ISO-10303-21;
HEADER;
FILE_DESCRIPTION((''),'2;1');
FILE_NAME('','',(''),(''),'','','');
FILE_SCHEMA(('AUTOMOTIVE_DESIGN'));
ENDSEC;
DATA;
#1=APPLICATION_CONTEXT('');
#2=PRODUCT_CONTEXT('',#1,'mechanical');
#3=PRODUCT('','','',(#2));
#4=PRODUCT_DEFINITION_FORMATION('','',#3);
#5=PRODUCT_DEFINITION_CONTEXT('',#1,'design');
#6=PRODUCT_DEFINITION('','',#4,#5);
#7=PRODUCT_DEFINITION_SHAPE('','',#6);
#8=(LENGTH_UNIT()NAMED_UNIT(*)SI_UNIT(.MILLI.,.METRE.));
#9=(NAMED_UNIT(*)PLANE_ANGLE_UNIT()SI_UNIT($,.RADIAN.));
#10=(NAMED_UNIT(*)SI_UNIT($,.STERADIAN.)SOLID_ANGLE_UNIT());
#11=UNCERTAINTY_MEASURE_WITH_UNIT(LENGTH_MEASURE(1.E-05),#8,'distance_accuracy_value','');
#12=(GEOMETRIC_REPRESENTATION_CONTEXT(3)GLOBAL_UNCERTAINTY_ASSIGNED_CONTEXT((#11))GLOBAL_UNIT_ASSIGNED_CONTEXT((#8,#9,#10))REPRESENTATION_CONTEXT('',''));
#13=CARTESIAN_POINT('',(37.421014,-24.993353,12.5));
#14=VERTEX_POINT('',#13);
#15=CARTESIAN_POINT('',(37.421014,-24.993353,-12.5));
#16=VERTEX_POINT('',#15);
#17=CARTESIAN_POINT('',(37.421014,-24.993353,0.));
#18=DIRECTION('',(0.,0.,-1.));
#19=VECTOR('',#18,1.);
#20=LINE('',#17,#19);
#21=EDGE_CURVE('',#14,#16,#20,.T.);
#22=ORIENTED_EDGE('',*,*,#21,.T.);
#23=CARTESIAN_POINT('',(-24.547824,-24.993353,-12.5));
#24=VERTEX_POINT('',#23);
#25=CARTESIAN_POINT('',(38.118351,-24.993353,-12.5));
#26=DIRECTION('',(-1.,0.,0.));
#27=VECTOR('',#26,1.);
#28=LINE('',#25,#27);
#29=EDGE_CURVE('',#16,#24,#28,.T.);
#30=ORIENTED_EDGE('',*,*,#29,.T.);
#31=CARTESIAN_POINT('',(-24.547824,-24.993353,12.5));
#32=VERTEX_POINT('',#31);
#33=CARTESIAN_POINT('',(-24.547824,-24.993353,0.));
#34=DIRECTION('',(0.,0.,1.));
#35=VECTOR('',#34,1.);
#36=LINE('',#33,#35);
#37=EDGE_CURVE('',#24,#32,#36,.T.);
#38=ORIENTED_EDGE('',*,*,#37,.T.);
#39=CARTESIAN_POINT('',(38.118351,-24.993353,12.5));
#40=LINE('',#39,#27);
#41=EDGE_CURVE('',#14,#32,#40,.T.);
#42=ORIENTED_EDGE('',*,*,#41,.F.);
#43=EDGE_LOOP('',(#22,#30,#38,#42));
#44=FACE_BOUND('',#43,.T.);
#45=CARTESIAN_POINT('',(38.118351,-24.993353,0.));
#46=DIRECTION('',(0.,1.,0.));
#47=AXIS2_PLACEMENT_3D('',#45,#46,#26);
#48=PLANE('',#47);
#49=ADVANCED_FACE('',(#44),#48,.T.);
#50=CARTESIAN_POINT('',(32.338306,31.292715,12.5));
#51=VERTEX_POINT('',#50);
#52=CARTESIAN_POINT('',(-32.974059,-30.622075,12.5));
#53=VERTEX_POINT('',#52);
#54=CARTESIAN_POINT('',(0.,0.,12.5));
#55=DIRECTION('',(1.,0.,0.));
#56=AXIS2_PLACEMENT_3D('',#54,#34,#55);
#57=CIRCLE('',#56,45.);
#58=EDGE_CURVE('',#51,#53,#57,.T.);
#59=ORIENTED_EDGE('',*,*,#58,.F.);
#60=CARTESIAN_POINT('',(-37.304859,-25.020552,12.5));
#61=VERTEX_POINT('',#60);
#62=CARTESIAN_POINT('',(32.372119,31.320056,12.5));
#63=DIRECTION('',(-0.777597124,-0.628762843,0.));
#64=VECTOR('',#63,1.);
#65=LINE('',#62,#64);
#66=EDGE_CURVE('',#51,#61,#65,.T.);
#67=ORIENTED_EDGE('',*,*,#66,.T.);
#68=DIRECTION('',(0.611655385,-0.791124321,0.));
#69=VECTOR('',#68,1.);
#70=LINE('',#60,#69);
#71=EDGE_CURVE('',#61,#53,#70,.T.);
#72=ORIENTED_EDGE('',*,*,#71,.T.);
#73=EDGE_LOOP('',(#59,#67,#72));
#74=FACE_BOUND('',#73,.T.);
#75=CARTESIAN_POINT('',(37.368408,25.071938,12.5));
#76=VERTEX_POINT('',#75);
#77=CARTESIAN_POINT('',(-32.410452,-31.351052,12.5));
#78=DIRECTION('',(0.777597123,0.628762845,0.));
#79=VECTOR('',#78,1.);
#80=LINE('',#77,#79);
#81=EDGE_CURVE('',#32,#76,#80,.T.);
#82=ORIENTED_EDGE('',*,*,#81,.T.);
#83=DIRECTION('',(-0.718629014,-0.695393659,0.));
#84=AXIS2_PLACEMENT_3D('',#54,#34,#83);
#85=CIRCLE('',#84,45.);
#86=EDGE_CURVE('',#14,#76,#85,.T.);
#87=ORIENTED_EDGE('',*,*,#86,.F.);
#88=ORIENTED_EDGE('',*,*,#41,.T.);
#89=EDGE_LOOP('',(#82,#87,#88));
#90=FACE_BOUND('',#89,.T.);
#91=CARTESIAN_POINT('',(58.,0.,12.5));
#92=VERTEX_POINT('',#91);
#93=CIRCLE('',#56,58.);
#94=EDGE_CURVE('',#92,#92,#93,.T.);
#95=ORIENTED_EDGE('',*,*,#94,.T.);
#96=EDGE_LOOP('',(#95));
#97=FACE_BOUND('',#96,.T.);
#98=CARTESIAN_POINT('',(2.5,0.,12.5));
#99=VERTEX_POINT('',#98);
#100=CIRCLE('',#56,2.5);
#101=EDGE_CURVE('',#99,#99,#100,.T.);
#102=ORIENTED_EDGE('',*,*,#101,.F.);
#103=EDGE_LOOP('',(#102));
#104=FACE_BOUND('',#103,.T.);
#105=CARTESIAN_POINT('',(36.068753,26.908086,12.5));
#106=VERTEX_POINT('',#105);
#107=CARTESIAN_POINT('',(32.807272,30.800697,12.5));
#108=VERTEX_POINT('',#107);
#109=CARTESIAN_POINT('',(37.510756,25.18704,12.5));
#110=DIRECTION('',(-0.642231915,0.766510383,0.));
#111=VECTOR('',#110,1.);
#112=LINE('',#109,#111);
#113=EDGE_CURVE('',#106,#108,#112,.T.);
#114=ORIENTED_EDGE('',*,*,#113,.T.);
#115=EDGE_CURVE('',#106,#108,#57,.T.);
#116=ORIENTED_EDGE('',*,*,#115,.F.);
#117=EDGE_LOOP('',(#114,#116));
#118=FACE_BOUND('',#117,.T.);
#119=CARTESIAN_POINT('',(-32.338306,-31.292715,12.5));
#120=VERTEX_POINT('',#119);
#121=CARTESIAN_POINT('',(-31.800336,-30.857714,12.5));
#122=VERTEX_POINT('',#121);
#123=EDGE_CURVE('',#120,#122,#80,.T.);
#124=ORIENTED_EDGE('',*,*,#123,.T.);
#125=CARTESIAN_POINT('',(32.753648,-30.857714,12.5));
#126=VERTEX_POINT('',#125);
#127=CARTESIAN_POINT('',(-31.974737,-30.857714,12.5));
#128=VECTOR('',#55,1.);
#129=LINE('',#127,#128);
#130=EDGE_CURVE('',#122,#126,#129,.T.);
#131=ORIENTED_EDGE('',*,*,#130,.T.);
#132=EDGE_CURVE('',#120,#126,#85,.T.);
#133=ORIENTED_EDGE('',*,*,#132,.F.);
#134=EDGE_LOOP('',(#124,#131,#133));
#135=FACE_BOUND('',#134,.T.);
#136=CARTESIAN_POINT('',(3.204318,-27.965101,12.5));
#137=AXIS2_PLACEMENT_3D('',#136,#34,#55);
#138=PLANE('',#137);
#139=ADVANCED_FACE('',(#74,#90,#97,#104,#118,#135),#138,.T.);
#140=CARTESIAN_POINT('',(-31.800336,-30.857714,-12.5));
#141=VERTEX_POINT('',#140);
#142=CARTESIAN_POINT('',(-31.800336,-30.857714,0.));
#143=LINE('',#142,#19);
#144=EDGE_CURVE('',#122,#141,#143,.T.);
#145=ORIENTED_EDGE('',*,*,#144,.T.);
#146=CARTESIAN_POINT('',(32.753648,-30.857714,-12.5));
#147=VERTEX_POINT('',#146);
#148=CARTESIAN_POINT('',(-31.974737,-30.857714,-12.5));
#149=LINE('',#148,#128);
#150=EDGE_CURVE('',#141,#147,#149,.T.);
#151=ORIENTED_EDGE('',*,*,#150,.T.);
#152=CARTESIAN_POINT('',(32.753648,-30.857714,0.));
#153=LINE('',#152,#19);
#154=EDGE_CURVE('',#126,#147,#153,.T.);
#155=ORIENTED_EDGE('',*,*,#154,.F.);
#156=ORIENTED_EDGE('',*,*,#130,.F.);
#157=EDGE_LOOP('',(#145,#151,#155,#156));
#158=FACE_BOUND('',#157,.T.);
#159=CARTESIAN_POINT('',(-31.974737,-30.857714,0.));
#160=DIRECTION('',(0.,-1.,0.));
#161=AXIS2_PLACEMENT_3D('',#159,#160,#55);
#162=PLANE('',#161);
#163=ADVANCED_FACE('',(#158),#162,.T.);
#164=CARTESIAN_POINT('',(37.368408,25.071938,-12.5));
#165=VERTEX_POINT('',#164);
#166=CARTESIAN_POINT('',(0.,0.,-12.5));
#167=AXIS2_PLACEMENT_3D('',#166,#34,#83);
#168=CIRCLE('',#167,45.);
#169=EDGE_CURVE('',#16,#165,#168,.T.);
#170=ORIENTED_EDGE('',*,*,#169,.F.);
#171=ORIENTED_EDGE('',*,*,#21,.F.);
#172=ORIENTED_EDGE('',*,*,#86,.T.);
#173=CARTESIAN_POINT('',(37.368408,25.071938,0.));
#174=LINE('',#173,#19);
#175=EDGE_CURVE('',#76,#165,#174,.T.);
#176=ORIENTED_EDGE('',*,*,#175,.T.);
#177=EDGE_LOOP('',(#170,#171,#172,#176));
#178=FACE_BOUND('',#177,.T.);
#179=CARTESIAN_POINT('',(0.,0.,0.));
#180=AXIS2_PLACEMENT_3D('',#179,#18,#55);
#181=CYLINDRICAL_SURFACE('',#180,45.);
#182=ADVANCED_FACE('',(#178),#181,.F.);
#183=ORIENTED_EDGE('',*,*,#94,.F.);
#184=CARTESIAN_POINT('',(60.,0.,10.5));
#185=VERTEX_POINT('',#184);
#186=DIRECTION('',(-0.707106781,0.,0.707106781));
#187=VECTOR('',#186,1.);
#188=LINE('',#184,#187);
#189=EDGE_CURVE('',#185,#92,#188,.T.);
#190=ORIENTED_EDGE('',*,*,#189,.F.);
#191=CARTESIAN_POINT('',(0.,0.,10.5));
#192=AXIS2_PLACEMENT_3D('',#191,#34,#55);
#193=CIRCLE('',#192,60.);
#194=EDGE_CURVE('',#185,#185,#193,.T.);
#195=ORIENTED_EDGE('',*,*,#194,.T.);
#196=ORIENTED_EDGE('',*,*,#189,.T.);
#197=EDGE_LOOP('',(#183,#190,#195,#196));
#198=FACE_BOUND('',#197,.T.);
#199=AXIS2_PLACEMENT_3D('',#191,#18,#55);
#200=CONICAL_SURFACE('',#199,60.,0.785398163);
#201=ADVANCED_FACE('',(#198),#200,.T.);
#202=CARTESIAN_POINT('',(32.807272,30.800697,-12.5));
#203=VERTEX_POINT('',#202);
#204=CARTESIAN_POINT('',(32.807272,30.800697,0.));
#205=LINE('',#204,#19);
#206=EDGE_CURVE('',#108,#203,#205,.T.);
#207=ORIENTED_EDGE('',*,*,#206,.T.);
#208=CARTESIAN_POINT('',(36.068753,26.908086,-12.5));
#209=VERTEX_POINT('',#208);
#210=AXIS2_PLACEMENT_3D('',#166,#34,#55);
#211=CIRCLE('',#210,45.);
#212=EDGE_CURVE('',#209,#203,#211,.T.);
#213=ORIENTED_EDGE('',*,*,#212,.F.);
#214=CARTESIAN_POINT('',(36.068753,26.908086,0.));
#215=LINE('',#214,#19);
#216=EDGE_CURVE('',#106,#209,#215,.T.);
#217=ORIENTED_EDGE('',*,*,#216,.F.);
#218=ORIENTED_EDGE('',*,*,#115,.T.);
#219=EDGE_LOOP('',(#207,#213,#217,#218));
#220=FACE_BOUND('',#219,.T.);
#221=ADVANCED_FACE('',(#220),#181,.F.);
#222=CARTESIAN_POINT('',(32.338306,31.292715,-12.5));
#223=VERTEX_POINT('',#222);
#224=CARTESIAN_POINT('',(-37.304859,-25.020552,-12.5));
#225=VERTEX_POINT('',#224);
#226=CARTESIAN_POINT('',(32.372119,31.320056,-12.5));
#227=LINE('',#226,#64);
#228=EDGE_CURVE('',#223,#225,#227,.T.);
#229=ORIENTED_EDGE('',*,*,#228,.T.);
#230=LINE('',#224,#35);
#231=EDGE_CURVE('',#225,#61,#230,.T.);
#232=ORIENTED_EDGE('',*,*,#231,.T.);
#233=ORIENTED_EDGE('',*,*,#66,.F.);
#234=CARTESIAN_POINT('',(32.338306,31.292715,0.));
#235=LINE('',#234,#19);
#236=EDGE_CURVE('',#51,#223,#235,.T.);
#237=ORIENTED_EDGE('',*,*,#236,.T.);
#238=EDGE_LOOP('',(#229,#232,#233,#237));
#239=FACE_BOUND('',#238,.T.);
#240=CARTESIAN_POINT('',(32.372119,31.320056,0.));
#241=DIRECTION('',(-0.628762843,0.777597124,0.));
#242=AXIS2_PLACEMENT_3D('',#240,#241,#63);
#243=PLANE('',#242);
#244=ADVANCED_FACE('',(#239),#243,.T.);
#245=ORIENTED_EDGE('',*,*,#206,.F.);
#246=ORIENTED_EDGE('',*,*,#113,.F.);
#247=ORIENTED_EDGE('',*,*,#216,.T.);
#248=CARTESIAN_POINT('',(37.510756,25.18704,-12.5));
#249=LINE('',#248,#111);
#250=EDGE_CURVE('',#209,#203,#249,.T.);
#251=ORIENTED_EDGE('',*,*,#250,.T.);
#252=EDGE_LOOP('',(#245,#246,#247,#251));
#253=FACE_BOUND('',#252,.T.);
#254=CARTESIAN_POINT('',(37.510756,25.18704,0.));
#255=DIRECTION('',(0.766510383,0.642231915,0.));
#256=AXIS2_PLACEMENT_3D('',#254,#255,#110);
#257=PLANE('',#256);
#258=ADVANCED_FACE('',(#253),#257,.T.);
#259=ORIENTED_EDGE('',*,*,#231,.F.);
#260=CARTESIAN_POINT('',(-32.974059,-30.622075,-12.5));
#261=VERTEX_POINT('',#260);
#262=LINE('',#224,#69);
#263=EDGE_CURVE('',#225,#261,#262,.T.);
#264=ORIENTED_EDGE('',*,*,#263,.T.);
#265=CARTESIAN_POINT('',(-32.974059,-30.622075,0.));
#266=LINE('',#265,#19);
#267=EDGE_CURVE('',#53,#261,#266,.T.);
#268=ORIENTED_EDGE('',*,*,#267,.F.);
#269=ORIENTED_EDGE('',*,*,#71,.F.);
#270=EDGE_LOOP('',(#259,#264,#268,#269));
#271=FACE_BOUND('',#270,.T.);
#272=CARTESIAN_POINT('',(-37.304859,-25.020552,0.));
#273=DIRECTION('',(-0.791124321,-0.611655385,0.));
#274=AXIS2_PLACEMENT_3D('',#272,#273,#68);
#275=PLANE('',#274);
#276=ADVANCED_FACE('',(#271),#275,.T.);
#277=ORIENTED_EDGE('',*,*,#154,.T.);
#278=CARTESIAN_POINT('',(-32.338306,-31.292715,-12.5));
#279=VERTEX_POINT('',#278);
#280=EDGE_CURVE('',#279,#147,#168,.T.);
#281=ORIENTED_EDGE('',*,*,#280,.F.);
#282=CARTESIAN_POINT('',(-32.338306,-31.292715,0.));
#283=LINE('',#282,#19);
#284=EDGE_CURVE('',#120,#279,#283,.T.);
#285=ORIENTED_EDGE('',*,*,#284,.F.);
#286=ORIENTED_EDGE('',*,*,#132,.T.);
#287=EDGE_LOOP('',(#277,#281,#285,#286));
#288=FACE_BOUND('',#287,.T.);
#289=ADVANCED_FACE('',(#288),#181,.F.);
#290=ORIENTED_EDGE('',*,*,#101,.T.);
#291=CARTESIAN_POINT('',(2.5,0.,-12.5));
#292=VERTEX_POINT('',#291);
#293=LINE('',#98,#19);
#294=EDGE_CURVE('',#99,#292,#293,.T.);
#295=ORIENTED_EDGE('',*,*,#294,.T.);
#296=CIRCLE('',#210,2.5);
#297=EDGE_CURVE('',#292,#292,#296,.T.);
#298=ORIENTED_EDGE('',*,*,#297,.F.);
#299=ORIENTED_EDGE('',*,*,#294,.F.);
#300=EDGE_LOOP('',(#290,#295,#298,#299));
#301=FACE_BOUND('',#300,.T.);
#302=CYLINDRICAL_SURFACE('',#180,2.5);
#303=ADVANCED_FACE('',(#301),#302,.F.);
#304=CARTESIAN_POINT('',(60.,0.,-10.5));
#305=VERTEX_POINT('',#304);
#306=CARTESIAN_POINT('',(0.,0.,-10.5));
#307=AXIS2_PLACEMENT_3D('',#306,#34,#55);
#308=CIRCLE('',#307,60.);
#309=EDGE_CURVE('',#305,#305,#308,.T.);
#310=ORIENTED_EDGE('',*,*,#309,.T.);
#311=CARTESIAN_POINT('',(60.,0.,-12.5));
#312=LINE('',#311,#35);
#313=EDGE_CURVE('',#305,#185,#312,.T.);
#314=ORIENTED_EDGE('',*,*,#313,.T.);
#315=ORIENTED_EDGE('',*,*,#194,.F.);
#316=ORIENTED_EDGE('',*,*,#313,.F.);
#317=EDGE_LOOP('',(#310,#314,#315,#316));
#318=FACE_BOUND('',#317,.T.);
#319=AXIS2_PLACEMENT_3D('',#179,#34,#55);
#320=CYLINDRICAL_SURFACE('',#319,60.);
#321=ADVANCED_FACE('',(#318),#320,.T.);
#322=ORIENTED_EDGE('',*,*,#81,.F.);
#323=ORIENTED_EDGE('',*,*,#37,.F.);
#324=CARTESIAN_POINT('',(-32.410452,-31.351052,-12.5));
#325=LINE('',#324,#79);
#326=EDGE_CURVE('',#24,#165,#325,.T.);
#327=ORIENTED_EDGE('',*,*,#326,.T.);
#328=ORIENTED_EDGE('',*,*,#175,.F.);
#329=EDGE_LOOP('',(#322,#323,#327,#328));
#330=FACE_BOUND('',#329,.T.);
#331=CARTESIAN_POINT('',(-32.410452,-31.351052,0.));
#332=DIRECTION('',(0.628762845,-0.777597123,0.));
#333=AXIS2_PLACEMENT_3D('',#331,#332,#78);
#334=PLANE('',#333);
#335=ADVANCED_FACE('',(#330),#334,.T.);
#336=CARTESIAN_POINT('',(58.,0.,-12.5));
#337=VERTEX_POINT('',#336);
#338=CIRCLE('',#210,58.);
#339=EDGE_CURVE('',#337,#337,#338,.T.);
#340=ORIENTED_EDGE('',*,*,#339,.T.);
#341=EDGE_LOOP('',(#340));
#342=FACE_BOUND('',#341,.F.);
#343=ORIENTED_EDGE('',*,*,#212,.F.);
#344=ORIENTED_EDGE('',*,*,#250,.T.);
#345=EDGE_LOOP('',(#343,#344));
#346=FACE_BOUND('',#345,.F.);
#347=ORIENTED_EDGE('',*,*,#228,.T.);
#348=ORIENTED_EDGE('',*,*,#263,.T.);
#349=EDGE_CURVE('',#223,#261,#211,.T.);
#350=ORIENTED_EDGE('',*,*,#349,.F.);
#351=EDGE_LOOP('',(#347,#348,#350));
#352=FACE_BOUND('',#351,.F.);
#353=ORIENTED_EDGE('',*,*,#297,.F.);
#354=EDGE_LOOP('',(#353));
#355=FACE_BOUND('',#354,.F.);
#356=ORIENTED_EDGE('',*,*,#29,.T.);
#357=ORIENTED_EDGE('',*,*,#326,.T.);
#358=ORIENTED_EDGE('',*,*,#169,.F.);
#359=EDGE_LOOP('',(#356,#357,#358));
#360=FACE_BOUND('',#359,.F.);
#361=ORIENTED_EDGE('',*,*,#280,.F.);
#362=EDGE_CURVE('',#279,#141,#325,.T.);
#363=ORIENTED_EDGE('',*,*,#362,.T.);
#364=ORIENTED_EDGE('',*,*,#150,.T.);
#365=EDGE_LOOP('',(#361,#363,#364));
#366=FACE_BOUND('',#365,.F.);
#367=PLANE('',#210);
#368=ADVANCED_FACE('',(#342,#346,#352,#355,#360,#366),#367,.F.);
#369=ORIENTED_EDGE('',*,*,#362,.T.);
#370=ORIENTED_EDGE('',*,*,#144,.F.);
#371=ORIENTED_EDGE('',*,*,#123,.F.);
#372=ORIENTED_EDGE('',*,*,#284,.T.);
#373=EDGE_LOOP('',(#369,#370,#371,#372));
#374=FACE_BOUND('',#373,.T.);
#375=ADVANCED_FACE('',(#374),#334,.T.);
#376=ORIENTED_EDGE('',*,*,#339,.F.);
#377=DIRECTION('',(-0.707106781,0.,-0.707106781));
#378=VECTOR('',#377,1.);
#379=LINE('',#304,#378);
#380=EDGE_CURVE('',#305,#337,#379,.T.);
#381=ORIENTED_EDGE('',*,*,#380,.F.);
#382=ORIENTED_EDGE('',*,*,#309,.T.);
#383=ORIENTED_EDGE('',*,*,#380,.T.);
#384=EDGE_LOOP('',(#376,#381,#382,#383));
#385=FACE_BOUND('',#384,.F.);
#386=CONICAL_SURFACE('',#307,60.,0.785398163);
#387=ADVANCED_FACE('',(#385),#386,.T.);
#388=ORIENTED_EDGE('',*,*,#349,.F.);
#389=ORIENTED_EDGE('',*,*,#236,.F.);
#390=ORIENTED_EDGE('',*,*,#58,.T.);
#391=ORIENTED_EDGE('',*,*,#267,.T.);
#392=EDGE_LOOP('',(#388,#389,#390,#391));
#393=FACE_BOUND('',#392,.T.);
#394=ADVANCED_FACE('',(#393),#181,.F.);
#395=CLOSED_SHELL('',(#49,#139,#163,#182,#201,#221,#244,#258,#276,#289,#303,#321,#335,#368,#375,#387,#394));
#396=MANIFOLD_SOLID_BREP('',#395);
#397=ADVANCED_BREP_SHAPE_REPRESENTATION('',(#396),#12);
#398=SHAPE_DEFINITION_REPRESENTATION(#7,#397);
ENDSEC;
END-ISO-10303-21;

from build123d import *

# Parameters (mm, degrees)
F0_R     = 60
F0_R_2   = 45
F1_DEPTH = 12.5
F2_SIZE  = 2
F3_R     = 2.5
F4_DEPTH = 12.5
F6_DEPTH = 12.5


with BuildPart() as f1:
    # F0 (on Top) → F1 (new body, symmetric)
    with BuildSketch(Plane.XY):
        Circle(F0_R)
        Circle(F0_R_2, mode=Mode.SUBTRACT)
    extrude(amount=F1_DEPTH, both=True)

    # F2
    f2_edges = [f1.edges().sort_by_distance(p)[0] for p in [
        (-60, 0, -12.5),
        (-60, 0, 12.5),
    ]]
    chamfer(f2_edges, length=F2_SIZE)

    # F3 (on Top) → F4 (join, symmetric)
    with BuildSketch(Plane.XY):
        Polygon((37.510756, 25.18704), (32.372119, 31.320056), (-37.304859, -25.020552), (-32.410452, -31.351052), align=None)
        Circle(F3_R, mode=Mode.SUBTRACT)
    extrude(amount=F4_DEPTH, both=True)

    # F5 (on face) → F6 (join, symmetric)
    with BuildSketch(Plane.XY):
        Polygon((38.118351, -24.993353), (-24.714097, -24.993353), (-31.974737, -30.857714), (32.812502, -30.857714), align=None)
    extrude(amount=F6_DEPTH, both=True)


solid = f1.part
